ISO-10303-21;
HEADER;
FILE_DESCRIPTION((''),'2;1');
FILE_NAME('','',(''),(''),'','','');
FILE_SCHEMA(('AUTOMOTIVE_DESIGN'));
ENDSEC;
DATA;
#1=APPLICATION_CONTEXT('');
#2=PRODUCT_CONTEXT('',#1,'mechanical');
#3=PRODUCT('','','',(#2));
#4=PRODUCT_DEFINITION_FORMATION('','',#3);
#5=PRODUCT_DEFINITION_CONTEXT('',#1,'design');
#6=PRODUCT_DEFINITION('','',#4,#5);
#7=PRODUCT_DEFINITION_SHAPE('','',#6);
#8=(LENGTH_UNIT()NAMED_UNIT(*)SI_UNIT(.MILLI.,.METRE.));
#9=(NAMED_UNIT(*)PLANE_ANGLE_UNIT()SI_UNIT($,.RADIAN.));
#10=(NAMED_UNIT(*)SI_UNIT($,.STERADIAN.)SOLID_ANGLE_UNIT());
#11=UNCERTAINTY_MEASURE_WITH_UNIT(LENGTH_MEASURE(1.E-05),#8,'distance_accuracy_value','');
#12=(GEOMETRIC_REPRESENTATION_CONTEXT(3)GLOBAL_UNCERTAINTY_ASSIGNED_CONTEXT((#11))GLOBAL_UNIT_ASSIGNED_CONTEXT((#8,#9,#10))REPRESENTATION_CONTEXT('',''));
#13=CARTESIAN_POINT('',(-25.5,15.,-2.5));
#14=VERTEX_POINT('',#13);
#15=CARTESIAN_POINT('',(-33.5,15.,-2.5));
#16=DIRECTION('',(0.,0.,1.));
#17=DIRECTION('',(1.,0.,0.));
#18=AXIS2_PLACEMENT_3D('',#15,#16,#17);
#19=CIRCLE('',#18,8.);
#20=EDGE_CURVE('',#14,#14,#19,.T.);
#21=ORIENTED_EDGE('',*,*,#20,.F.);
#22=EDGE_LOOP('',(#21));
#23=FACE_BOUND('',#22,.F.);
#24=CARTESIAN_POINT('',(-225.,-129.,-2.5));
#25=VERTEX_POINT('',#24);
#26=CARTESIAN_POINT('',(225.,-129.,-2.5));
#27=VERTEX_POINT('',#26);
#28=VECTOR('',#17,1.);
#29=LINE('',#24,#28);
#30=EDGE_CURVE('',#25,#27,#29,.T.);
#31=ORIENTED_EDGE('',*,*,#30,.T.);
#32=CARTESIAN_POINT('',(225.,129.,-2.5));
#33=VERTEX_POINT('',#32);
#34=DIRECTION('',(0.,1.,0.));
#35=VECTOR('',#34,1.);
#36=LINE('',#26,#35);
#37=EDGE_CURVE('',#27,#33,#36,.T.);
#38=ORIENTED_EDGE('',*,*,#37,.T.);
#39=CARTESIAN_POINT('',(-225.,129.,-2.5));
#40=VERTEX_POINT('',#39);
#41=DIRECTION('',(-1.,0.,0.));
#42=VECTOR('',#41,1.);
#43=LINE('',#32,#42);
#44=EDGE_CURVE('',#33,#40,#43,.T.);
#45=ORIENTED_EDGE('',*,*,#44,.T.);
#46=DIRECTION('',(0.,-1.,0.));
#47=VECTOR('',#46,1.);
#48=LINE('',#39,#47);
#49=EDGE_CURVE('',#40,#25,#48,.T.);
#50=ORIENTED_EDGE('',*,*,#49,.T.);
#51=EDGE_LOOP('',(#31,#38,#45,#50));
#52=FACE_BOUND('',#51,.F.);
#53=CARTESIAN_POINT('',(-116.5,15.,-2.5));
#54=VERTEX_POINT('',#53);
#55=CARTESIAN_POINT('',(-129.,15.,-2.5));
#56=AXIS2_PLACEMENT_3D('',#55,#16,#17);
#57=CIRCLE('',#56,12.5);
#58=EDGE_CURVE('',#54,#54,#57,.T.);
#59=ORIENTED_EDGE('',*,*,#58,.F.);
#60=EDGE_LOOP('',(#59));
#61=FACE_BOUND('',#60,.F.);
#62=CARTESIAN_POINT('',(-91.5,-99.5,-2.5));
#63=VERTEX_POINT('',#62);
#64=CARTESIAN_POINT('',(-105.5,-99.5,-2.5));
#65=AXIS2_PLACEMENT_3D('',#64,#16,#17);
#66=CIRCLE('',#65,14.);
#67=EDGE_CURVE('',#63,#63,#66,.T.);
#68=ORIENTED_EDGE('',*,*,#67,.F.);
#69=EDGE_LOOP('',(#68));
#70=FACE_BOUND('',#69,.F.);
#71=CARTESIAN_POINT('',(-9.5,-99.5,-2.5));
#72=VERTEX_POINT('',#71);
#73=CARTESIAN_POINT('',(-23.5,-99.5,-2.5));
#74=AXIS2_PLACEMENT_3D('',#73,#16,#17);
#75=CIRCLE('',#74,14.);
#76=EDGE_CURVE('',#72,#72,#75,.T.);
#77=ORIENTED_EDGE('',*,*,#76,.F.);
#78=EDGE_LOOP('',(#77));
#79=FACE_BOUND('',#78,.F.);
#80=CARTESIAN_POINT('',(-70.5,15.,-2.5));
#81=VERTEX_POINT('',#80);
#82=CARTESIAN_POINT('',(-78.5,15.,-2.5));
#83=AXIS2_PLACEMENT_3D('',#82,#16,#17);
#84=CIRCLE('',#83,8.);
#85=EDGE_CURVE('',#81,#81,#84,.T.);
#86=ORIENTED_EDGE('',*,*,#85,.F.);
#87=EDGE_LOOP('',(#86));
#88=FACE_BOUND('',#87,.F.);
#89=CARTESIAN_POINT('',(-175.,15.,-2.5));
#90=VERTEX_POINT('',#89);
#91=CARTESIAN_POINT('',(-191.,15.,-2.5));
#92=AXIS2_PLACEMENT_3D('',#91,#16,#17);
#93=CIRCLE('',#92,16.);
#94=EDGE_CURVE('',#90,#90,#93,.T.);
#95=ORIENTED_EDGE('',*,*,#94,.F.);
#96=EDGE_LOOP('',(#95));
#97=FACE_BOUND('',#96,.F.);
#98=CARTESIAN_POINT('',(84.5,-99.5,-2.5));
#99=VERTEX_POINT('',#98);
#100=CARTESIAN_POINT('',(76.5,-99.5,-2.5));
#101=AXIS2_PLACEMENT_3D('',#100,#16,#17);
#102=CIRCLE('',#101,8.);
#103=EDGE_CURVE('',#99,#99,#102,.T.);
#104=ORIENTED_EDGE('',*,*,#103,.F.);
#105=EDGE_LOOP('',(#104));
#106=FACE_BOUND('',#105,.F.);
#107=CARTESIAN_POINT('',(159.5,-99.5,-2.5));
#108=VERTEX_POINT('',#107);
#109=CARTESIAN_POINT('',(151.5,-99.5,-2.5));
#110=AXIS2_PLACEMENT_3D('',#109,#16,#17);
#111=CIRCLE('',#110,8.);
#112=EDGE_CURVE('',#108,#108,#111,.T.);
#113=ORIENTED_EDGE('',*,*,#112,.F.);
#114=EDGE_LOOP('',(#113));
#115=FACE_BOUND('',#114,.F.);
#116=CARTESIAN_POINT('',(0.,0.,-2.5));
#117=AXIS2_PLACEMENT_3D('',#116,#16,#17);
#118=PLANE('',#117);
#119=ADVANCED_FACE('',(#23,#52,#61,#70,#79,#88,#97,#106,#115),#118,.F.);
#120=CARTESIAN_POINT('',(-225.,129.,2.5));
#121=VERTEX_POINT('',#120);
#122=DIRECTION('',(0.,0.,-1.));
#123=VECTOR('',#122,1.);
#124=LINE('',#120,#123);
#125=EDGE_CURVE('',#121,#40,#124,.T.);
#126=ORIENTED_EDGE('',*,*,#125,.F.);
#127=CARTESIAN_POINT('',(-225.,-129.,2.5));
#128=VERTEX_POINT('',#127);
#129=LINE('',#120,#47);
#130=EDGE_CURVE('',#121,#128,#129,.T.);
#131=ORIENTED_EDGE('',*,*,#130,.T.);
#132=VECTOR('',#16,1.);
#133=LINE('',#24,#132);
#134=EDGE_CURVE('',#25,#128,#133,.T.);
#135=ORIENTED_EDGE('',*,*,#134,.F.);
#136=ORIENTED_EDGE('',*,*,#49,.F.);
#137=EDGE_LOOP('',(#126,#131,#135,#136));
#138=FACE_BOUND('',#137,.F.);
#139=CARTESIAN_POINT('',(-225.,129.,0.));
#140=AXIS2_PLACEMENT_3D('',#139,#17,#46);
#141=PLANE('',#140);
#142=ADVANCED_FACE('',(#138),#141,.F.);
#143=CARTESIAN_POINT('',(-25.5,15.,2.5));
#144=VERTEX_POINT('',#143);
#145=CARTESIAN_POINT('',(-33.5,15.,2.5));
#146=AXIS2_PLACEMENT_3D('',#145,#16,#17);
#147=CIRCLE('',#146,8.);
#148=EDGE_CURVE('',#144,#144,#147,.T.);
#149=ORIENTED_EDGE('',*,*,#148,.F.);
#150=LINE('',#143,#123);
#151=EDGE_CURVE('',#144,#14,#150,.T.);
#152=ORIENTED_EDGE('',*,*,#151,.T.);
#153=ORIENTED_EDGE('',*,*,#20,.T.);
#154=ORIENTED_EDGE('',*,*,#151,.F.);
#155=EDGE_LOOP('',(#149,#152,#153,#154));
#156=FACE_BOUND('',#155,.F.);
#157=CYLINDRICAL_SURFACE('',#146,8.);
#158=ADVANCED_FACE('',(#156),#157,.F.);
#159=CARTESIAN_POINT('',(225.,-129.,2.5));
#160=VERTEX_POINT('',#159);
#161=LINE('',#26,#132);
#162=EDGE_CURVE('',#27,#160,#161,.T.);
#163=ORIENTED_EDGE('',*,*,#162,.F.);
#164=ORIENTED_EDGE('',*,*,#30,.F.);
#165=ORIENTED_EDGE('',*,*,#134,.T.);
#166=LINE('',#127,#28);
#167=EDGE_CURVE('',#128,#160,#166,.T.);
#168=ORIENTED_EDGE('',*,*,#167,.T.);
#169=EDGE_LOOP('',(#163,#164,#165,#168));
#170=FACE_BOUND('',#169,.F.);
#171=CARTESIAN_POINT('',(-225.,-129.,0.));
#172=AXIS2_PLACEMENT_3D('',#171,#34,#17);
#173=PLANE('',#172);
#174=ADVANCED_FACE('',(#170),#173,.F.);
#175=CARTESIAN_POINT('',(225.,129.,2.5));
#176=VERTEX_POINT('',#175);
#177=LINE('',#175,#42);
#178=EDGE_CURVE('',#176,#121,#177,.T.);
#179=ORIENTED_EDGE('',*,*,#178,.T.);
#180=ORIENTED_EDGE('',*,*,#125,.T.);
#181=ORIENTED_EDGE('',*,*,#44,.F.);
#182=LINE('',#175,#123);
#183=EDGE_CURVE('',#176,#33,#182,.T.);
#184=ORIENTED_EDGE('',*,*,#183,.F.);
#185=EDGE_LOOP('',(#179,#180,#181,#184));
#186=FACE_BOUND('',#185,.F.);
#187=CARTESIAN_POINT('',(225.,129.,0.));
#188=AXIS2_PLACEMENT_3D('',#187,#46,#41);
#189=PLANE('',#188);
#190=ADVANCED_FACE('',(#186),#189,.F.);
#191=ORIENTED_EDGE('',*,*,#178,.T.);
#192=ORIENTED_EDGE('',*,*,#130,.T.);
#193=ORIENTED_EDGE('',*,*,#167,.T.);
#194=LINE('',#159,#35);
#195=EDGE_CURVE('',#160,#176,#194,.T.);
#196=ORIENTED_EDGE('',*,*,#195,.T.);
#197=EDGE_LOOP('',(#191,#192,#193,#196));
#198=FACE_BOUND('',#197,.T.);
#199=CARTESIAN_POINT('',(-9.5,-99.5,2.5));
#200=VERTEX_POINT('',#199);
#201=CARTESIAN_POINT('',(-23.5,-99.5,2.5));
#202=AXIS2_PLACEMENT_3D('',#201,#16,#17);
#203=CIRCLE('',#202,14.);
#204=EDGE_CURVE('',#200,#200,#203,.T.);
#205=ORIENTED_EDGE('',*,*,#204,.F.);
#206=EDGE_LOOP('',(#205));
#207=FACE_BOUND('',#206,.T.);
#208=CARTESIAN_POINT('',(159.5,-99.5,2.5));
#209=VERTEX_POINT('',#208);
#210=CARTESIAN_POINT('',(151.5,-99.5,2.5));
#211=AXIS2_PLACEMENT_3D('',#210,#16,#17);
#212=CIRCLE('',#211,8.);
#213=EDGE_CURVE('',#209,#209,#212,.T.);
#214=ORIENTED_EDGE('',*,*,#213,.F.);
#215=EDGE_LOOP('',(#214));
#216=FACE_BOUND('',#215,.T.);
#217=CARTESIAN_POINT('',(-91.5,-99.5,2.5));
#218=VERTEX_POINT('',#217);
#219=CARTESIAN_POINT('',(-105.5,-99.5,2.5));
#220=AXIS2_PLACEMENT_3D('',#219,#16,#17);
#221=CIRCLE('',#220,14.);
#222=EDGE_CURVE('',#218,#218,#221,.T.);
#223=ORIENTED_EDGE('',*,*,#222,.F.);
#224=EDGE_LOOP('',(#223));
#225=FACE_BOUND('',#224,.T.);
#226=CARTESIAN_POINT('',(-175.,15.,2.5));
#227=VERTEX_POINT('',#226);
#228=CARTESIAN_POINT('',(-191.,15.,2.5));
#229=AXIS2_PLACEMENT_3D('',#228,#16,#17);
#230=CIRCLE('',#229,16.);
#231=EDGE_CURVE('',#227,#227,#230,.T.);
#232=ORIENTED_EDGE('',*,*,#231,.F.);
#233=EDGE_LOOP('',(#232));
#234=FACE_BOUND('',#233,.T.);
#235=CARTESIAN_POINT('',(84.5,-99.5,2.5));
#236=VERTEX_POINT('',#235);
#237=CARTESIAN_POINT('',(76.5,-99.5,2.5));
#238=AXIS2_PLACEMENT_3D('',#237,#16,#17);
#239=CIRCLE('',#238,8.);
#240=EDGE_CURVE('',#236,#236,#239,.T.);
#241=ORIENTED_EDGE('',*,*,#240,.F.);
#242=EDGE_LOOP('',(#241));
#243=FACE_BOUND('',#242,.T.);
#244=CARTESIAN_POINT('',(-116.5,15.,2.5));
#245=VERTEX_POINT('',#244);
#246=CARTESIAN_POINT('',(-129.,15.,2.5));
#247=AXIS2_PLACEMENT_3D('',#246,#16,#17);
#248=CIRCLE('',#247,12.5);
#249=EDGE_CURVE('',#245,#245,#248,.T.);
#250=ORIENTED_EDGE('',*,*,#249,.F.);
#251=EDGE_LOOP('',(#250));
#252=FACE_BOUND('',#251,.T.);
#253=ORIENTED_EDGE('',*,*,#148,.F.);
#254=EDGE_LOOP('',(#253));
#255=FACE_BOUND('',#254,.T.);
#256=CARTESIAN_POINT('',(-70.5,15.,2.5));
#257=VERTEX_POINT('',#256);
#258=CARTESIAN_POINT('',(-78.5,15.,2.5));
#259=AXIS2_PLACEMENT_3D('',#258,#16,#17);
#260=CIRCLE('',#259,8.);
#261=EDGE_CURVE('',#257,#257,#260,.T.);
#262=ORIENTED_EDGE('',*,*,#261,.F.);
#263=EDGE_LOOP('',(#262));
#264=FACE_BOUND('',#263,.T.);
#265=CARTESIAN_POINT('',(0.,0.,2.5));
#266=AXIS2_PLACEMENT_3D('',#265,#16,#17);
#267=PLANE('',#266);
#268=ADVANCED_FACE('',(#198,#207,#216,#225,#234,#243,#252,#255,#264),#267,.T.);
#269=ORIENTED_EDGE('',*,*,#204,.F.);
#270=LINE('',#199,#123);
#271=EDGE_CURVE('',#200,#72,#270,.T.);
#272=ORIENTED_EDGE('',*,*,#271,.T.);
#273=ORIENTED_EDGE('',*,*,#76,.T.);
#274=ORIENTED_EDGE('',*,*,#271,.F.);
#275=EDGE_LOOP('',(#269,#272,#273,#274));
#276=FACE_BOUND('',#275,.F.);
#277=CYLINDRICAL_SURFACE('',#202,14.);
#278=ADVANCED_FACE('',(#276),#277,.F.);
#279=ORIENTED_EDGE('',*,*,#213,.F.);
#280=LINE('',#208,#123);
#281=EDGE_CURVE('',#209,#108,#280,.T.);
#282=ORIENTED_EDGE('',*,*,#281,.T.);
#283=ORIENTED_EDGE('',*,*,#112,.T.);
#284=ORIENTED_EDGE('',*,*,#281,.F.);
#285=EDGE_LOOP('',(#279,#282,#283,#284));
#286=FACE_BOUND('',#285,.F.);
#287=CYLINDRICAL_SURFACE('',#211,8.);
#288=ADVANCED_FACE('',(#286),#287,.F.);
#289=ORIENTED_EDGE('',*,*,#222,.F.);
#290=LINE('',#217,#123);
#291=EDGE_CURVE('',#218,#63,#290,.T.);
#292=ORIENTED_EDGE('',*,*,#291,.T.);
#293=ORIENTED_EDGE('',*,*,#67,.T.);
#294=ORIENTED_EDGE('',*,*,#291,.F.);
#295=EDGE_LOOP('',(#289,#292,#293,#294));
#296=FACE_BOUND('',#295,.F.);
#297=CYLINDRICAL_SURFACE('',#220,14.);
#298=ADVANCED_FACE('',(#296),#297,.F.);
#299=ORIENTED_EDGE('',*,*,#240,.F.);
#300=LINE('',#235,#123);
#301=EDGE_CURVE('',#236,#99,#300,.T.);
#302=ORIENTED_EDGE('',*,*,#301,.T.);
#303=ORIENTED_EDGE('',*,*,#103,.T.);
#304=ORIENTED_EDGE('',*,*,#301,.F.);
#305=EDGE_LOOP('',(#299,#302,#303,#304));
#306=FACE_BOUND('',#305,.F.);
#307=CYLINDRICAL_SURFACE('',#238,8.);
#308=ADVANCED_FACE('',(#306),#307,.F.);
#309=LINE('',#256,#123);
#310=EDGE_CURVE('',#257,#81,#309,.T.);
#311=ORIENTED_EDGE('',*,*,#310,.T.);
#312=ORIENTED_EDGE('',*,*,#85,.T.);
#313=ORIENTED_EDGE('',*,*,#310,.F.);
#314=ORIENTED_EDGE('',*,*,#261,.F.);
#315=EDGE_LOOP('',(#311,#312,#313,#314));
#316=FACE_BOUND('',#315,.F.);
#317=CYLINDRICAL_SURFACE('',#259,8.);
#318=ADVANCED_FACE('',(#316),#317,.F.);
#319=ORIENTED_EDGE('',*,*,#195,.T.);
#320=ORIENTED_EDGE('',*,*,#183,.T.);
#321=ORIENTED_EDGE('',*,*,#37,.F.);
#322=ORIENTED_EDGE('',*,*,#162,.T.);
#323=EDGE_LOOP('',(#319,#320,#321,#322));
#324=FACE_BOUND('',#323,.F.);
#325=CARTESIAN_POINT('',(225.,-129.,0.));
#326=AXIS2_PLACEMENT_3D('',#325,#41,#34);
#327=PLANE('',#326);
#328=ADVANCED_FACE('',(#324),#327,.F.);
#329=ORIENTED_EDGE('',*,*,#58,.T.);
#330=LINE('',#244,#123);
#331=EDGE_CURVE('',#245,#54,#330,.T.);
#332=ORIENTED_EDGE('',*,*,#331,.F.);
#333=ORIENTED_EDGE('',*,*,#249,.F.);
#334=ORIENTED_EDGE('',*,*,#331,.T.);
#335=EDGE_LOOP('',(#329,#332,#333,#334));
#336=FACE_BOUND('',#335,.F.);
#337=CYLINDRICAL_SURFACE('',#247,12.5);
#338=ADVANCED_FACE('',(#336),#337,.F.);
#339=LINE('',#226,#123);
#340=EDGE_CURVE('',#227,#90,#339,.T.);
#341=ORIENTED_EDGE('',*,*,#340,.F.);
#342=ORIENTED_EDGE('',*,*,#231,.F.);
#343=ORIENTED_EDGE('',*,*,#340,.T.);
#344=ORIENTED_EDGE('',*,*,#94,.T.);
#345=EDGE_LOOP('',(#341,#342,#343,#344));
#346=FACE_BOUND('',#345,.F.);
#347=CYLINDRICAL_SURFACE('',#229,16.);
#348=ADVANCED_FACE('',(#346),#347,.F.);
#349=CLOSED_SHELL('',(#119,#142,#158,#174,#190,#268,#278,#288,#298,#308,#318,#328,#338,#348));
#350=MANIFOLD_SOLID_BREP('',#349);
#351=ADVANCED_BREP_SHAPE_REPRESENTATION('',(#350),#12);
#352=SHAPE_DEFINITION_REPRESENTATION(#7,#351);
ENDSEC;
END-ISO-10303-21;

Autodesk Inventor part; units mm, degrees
ref_plane "YZ Plane" through (0, 0, 0) normal (1, 0, 0) x (0, 1, 0)
ref_plane "XZ Plane" through (0, 0, 0) normal (0, 1, 0) x (-1, 0, 0)
ref_plane "XY Plane" through (0, 0, 0) normal (0, 0, 1) x (1, 0, 0)
sketch "Sketch1" plane through (0, 0, 0) normal (0, 0, 1) x (1, 0, 0)
  line L0 (-225, -129) -> (225, -129)
  line L1 (225, -129) -> (225, 129)
  line L2 (225, 129) -> (-225, 129)
  line L3 (-225, 129) -> (-225, -129)
  line L4 (-225, -129) -> (225, 129) construction
  line L5 (225, -129) -> (-225, 129) construction
  point P0 (0, 0)
  dimension "d0" = 450
  dimension "d1" = 258
extrude "Extrusion1" add sketch "Sketch1" along normal mid plane 5
sketch "Sketch2" plane through (0, 0, 2.5) normal (0, 0, 1) x (1, 0, 0)
  circle A0 centre (-105.5, -99.5) radius 19.5 construction
  line L0 (-225, -129) -> (225, -129) construction
  line L1 (-225, 129) -> (-225, -129) construction
  circle A1 centre (-23.5, -99.5) radius 19.5 construction
  circle A2 centre (76.5, -99.5) radius 12.5 construction
  circle A3 centre (151.5, -99.5) radius 12.5 construction
  circle A4 centre (-191, 15) radius 24 construction
  circle A5 centre (-129, 15) radius 18 construction
  circle A6 centre (-78.5, 15) radius 12.5 construction
  circle A7 centre (-33.5, 15) radius 12.5 construction
  circle A8 centre (-191, 15) radius 16
  circle A9 centre (-129, 15) radius 12.5
  circle A10 centre (-78.5, 15) radius 8
  circle A11 centre (-33.5, 15) radius 8
  circle A12 centre (-105.5, -99.5) radius 14
  circle A13 centre (-23.5, -99.5) radius 14
  circle A14 centre (76.5, -99.5) radius 8
  circle A15 centre (151.5, -99.5) radius 8
  point P0 (0, 0)
  dimension "d4" = 39
  dimension "d5" = 29.5
  dimension "d6" = 119.5
  dimension "d7" = 39
  dimension "d8" = 25
  dimension "d9" = 25
  dimension "d10" = 48
  dimension "d11" = 36
  dimension "d12" = 25
  dimension "d13" = 25
  dimension "d14" = 29.5
  dimension "d15" = 29.5
  dimension "d16" = 29.5
  dimension "d17" = 144
  dimension "d18" = 144
  dimension "d19" = 144
  dimension "d20" = 144
  dimension "d21" = 82
  dimension "d22" = 100
  dimension "d23" = 75
  dimension "d24" = 34
  dimension "d25" = 62
  dimension "d26" = 50.5
  dimension "d27" = 45
  dimension "d28" = 32
  dimension "d29" = 25
  dimension "d30" = 16
  dimension "d31" = 16
  dimension "d32" = 28
  dimension "d33" = 28
  dimension "d34" = 16
  dimension "d35" = 16
extrude "Extrusion2" cut sketch "Sketch2" against normal blind 5
equation "\"d0\" = boxw"
equation "\"d1\" = boxh"
equation "\"d2\" = pvct"
equation "\"d4\" = waterouter"
equation "\"d6\" = 0.5 * waterouter + distsidewater"
equation "\"d7\" = airoutouter"
equation "\"d8\" = pumpouter"
equation "\"d9\" = pumpouter"
equation "\"d10\" = diaphouter"
equation "\"d11\" = diaetapeouter"
equation "\"d12\" = dialoadouter"
equation "\"d13\" = dialoadouter"
equation "\"d21\" = distbubblewater"
equation "\"d22\" = distpumpbubble"
equation "\"d23\" = distpumps"
equation "\"d28\" = diaph"
equation "\"d29\" = diaetape"
equation "\"d30\" = pumpinner"
equation "\"d31\" = pumpinner"
equation "\"d32\" = waterinner"
equation "\"d33\" = airoutinner"
equation "\"d34\" = pumpinner"
equation "\"d35\" = pumpinner"
equation "\"d36\" = pvct"
equation "\"solhole\" = 3"
equation "\"solholespacing\" = 16"
equation "\"ssolw\" = 63"
equation "\"bsoll\" = 126"
equation "\"bsolw\" = 91"
equation "\"bsolh\" = 126"
equation "\"tapl\" = 31"
equation "\"tl\" = 32"
equation "\"eloboww\" = 25"
equation "\"pvct\" = 5"
equation "\"boxw\" = 450"
equation "\"boxh\" = 258"
equation "\"supporth\" = 15"
equation "\"play\" = 0.5"
equation "\"pcbw\" = 76"
equation "\"arw\" = 54"
equation "\"pcbl\" = 86"
equation "\"arl\" = 102"
equation "\"psuh\" = 85"
equation "\"pcbh\" = 46"
equation "\"screenl\" = 115"
equation "\"screenw\" = 197"
equation "\"seph\" = 105"
equation "\"diapowerouter\" = 25"
equation "\"dialoadouter\" = 25"
equation "\"diaetapeouter\" = 36"
equation "\"diaphouter\" = 48"
equation "\"diaload\" = 16"
equation "\"diaetape\" = 25"
equation "\"diaph\" = 32"
equation "\"distbubblewater\" = 82"
equation "\"diapower\" = 16"
equation "\"distpumpbubble\" = 100"
equation "\"waterinner\" = 28"
equation "\"distpumps\" = 75"
equation "\"airoutouter\" = 39"
equation "\"airoutinner\" = 28"
equation "\"pumpouter\" = 25"
equation "\"waterouter\" = 39"
equation "\"pumpinner\" = 16"
equation "\"airinouter\" = 39"
equation "\"airininner\" = 28"
equation "\"distsidewater\" = 100"
properties part number "sb_front_back" material "PVC-Piping"
